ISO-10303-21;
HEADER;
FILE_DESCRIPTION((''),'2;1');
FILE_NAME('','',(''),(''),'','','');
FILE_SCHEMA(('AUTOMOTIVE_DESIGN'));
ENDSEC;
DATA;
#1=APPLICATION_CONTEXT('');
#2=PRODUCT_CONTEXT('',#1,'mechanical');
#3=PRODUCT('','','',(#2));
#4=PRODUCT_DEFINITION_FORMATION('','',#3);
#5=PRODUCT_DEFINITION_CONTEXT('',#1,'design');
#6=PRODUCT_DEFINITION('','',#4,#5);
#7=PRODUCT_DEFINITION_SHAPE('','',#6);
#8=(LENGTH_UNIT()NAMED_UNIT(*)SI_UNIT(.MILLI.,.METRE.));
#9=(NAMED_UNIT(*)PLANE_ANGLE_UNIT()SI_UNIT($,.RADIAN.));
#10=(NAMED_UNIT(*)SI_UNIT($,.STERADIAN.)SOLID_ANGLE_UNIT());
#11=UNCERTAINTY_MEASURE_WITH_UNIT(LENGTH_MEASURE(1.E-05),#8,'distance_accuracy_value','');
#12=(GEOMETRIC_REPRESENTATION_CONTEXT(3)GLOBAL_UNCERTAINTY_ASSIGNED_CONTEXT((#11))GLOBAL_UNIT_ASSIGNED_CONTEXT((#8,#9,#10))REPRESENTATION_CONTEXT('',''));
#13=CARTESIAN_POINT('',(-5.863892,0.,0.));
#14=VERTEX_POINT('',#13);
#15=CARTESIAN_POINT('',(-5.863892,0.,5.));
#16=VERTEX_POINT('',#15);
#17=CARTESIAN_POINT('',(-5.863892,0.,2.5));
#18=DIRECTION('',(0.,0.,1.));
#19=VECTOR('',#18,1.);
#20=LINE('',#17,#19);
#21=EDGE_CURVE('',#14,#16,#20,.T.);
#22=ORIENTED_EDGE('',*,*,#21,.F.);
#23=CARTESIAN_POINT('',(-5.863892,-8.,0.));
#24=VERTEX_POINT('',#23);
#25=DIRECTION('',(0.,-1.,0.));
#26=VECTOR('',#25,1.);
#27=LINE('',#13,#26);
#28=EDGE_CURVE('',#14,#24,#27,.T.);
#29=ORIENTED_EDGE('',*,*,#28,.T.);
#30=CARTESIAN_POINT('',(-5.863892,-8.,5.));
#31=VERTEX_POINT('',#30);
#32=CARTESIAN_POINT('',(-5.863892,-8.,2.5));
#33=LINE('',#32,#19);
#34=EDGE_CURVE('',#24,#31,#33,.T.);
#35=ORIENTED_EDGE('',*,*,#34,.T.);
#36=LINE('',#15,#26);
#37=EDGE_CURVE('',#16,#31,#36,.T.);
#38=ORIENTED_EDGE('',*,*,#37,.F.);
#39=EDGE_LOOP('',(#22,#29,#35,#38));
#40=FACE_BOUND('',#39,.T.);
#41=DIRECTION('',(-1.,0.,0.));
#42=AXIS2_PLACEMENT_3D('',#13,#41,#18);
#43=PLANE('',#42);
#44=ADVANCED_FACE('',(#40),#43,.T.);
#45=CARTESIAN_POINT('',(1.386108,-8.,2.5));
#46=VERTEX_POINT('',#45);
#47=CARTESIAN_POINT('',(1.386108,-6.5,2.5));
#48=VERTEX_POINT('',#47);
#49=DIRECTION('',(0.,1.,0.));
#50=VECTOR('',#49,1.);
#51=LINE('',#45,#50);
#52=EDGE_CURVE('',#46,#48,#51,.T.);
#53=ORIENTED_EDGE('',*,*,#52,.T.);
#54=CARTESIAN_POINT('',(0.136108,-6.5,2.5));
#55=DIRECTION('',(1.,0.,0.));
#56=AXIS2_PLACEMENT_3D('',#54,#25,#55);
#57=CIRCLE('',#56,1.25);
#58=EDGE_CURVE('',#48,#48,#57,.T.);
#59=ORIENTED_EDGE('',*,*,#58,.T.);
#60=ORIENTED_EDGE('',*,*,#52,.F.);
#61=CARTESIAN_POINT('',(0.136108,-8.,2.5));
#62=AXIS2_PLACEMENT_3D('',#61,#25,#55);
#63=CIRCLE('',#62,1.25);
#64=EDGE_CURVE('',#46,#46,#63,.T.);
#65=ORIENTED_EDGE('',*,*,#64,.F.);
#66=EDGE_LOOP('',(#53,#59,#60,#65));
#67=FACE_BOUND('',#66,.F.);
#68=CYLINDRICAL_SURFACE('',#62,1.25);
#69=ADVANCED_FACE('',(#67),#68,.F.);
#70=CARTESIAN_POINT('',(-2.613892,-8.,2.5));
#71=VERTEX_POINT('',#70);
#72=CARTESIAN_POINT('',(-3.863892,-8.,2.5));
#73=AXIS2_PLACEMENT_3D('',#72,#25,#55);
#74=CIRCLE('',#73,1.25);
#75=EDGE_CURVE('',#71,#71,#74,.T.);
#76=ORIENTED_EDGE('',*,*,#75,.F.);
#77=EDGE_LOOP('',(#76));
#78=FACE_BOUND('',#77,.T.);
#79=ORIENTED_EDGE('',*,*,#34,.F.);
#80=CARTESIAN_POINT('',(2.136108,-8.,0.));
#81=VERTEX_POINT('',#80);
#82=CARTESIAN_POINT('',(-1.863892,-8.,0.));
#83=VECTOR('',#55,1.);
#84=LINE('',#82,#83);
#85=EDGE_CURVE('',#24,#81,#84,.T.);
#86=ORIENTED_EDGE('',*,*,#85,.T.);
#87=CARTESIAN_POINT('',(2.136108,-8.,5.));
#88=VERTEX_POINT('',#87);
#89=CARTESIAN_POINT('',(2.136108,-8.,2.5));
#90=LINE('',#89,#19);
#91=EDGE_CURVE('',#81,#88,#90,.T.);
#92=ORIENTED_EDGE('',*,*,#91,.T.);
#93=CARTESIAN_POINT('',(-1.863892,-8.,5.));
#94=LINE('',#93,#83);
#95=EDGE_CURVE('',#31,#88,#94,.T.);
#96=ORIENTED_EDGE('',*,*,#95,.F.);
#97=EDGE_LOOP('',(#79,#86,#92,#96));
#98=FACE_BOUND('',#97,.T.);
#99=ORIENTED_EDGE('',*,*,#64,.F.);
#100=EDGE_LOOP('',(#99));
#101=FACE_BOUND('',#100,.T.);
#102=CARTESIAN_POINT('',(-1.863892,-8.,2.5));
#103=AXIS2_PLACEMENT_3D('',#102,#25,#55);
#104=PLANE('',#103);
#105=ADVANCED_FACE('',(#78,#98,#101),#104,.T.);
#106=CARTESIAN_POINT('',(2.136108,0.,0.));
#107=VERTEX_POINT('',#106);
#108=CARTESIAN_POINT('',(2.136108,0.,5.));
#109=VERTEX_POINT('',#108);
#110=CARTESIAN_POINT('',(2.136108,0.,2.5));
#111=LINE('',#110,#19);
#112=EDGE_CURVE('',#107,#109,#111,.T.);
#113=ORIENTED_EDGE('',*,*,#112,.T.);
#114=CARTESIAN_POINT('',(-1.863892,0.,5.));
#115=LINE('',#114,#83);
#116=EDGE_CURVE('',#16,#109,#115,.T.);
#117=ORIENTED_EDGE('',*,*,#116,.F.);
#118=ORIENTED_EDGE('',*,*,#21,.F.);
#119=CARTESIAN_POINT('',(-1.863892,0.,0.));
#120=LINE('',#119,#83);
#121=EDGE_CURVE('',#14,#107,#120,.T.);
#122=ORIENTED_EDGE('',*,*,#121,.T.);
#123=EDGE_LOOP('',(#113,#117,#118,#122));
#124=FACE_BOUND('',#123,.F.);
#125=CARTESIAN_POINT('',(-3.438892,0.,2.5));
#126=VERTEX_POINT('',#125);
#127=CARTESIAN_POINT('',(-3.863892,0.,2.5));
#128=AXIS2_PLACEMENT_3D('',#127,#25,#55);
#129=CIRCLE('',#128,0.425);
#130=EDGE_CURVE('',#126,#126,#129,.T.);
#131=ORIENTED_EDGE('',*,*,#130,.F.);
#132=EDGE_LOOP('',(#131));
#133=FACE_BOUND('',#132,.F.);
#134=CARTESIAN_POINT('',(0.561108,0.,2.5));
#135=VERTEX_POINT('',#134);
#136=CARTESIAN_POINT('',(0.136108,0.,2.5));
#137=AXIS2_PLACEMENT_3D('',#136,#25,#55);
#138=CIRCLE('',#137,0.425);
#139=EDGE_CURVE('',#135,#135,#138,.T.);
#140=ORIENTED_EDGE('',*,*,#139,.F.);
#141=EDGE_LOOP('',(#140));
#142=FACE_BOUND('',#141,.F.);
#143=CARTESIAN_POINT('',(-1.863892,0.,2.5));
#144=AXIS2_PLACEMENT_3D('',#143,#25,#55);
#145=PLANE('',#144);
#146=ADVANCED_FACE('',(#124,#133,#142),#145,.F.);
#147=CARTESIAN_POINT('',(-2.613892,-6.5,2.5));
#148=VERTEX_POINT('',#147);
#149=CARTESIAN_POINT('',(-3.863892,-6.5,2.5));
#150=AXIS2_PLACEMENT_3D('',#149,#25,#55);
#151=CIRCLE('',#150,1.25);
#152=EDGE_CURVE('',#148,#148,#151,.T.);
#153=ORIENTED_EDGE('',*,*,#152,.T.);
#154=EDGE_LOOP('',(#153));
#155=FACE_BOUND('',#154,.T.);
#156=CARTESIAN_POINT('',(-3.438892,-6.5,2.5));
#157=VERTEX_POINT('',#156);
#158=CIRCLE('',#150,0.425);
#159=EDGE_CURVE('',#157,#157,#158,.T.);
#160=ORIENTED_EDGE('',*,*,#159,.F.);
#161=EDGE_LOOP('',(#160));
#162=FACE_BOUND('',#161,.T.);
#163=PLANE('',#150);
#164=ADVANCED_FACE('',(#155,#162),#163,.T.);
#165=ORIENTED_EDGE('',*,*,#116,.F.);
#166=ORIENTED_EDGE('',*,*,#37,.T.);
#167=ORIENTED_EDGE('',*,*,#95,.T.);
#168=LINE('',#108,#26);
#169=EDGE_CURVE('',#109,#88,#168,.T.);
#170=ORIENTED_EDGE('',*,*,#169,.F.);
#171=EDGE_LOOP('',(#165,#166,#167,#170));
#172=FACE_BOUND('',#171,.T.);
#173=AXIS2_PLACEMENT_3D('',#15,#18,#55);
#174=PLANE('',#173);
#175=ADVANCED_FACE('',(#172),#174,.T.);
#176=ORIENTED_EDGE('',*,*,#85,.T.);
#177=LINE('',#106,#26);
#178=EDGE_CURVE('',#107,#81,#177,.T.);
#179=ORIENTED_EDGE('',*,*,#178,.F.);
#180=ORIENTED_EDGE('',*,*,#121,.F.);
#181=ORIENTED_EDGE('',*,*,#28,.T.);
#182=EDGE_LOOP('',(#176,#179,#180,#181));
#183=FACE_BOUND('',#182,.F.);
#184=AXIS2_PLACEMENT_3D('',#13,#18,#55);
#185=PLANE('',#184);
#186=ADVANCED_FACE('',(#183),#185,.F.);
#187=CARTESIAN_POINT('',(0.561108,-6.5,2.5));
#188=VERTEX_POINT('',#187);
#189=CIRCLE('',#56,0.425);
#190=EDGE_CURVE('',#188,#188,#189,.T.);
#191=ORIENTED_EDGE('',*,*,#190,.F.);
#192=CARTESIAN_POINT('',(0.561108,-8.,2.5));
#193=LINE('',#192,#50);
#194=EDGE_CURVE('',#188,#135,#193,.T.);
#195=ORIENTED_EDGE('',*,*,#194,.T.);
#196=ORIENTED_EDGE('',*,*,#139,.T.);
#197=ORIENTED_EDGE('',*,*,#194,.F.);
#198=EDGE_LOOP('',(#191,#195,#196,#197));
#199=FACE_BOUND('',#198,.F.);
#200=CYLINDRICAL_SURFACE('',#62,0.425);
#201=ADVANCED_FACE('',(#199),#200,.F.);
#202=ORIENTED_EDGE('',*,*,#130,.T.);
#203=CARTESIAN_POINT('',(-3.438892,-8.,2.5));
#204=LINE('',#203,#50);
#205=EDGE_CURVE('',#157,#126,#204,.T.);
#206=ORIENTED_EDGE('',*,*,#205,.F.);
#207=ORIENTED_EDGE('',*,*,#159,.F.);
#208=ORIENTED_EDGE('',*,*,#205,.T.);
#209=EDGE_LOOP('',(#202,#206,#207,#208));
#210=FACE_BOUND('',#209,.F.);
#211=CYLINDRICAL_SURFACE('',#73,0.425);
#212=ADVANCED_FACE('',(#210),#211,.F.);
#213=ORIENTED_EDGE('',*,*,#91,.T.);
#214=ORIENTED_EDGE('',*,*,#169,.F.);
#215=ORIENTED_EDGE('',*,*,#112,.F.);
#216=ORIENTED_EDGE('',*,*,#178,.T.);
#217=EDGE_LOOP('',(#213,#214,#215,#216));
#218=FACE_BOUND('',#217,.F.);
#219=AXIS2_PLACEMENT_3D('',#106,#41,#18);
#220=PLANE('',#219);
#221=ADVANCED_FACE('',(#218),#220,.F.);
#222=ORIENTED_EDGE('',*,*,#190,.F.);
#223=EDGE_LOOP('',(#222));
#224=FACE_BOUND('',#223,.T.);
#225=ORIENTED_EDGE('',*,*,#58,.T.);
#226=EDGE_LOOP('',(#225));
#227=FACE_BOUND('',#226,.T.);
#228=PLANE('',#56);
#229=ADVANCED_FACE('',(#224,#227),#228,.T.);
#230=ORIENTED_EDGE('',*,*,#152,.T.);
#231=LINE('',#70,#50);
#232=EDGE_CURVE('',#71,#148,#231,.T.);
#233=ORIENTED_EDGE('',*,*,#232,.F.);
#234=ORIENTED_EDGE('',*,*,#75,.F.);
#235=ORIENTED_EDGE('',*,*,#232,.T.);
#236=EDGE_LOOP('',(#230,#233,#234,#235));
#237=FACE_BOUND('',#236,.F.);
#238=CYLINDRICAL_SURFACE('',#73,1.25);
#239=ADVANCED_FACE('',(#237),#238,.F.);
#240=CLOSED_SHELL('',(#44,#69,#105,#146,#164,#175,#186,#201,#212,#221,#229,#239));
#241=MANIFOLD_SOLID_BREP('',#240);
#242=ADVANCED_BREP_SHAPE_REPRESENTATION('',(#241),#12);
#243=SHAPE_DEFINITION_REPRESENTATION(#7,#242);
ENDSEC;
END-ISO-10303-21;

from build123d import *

# Parameters (mm, degrees)
F0_W     = 8
F0_H     = 5
F1_DEPTH = 8
F2_R     = 1.25
F3_DEPTH = 1.5
F4_DEPTH = 1.5
F5_R     = 0.425
F6_DEPTH = 25
F7_DEPTH = 25


with BuildPart() as f1:
    # F0 (on Front) → F1 (new body)
    with BuildSketch(Plane.XZ):
        with Locations((-1.863892, 2.5)):
            Rectangle(F0_W, F0_H)
    extrude(amount=F1_DEPTH)

    # F2 (on face) → F3 (cut)
    with BuildSketch(Plane.XZ.offset(8)):
        with Locations((-3.863892, 2.5)):
            Circle(F2_R)
    extrude(amount=-F3_DEPTH, mode=Mode.SUBTRACT)

    # F2 (on face) → F4 (cut)
    with BuildSketch(Plane.XZ.offset(8)):
        with Locations((0.136108, 2.5)):
            Circle(F2_R)
    extrude(amount=-F4_DEPTH, mode=Mode.SUBTRACT)

    # F5 (on face) → F6 (cut)
    with BuildSketch(Plane.XZ.offset(8)):
        with Locations((0.136108, 2.5)):
            Circle(F5_R)
    extrude(amount=-F6_DEPTH, mode=Mode.SUBTRACT)

    # F5 (on face) → F7 (cut)
    with BuildSketch(Plane.XZ.offset(8)):
        with Locations((-3.863892, 2.5)):
            Circle(F5_R)
        with Locations((0.136108, 2.5)):
            Circle(F5_R)
    extrude(amount=-F7_DEPTH, mode=Mode.SUBTRACT)


solid = f1.part
